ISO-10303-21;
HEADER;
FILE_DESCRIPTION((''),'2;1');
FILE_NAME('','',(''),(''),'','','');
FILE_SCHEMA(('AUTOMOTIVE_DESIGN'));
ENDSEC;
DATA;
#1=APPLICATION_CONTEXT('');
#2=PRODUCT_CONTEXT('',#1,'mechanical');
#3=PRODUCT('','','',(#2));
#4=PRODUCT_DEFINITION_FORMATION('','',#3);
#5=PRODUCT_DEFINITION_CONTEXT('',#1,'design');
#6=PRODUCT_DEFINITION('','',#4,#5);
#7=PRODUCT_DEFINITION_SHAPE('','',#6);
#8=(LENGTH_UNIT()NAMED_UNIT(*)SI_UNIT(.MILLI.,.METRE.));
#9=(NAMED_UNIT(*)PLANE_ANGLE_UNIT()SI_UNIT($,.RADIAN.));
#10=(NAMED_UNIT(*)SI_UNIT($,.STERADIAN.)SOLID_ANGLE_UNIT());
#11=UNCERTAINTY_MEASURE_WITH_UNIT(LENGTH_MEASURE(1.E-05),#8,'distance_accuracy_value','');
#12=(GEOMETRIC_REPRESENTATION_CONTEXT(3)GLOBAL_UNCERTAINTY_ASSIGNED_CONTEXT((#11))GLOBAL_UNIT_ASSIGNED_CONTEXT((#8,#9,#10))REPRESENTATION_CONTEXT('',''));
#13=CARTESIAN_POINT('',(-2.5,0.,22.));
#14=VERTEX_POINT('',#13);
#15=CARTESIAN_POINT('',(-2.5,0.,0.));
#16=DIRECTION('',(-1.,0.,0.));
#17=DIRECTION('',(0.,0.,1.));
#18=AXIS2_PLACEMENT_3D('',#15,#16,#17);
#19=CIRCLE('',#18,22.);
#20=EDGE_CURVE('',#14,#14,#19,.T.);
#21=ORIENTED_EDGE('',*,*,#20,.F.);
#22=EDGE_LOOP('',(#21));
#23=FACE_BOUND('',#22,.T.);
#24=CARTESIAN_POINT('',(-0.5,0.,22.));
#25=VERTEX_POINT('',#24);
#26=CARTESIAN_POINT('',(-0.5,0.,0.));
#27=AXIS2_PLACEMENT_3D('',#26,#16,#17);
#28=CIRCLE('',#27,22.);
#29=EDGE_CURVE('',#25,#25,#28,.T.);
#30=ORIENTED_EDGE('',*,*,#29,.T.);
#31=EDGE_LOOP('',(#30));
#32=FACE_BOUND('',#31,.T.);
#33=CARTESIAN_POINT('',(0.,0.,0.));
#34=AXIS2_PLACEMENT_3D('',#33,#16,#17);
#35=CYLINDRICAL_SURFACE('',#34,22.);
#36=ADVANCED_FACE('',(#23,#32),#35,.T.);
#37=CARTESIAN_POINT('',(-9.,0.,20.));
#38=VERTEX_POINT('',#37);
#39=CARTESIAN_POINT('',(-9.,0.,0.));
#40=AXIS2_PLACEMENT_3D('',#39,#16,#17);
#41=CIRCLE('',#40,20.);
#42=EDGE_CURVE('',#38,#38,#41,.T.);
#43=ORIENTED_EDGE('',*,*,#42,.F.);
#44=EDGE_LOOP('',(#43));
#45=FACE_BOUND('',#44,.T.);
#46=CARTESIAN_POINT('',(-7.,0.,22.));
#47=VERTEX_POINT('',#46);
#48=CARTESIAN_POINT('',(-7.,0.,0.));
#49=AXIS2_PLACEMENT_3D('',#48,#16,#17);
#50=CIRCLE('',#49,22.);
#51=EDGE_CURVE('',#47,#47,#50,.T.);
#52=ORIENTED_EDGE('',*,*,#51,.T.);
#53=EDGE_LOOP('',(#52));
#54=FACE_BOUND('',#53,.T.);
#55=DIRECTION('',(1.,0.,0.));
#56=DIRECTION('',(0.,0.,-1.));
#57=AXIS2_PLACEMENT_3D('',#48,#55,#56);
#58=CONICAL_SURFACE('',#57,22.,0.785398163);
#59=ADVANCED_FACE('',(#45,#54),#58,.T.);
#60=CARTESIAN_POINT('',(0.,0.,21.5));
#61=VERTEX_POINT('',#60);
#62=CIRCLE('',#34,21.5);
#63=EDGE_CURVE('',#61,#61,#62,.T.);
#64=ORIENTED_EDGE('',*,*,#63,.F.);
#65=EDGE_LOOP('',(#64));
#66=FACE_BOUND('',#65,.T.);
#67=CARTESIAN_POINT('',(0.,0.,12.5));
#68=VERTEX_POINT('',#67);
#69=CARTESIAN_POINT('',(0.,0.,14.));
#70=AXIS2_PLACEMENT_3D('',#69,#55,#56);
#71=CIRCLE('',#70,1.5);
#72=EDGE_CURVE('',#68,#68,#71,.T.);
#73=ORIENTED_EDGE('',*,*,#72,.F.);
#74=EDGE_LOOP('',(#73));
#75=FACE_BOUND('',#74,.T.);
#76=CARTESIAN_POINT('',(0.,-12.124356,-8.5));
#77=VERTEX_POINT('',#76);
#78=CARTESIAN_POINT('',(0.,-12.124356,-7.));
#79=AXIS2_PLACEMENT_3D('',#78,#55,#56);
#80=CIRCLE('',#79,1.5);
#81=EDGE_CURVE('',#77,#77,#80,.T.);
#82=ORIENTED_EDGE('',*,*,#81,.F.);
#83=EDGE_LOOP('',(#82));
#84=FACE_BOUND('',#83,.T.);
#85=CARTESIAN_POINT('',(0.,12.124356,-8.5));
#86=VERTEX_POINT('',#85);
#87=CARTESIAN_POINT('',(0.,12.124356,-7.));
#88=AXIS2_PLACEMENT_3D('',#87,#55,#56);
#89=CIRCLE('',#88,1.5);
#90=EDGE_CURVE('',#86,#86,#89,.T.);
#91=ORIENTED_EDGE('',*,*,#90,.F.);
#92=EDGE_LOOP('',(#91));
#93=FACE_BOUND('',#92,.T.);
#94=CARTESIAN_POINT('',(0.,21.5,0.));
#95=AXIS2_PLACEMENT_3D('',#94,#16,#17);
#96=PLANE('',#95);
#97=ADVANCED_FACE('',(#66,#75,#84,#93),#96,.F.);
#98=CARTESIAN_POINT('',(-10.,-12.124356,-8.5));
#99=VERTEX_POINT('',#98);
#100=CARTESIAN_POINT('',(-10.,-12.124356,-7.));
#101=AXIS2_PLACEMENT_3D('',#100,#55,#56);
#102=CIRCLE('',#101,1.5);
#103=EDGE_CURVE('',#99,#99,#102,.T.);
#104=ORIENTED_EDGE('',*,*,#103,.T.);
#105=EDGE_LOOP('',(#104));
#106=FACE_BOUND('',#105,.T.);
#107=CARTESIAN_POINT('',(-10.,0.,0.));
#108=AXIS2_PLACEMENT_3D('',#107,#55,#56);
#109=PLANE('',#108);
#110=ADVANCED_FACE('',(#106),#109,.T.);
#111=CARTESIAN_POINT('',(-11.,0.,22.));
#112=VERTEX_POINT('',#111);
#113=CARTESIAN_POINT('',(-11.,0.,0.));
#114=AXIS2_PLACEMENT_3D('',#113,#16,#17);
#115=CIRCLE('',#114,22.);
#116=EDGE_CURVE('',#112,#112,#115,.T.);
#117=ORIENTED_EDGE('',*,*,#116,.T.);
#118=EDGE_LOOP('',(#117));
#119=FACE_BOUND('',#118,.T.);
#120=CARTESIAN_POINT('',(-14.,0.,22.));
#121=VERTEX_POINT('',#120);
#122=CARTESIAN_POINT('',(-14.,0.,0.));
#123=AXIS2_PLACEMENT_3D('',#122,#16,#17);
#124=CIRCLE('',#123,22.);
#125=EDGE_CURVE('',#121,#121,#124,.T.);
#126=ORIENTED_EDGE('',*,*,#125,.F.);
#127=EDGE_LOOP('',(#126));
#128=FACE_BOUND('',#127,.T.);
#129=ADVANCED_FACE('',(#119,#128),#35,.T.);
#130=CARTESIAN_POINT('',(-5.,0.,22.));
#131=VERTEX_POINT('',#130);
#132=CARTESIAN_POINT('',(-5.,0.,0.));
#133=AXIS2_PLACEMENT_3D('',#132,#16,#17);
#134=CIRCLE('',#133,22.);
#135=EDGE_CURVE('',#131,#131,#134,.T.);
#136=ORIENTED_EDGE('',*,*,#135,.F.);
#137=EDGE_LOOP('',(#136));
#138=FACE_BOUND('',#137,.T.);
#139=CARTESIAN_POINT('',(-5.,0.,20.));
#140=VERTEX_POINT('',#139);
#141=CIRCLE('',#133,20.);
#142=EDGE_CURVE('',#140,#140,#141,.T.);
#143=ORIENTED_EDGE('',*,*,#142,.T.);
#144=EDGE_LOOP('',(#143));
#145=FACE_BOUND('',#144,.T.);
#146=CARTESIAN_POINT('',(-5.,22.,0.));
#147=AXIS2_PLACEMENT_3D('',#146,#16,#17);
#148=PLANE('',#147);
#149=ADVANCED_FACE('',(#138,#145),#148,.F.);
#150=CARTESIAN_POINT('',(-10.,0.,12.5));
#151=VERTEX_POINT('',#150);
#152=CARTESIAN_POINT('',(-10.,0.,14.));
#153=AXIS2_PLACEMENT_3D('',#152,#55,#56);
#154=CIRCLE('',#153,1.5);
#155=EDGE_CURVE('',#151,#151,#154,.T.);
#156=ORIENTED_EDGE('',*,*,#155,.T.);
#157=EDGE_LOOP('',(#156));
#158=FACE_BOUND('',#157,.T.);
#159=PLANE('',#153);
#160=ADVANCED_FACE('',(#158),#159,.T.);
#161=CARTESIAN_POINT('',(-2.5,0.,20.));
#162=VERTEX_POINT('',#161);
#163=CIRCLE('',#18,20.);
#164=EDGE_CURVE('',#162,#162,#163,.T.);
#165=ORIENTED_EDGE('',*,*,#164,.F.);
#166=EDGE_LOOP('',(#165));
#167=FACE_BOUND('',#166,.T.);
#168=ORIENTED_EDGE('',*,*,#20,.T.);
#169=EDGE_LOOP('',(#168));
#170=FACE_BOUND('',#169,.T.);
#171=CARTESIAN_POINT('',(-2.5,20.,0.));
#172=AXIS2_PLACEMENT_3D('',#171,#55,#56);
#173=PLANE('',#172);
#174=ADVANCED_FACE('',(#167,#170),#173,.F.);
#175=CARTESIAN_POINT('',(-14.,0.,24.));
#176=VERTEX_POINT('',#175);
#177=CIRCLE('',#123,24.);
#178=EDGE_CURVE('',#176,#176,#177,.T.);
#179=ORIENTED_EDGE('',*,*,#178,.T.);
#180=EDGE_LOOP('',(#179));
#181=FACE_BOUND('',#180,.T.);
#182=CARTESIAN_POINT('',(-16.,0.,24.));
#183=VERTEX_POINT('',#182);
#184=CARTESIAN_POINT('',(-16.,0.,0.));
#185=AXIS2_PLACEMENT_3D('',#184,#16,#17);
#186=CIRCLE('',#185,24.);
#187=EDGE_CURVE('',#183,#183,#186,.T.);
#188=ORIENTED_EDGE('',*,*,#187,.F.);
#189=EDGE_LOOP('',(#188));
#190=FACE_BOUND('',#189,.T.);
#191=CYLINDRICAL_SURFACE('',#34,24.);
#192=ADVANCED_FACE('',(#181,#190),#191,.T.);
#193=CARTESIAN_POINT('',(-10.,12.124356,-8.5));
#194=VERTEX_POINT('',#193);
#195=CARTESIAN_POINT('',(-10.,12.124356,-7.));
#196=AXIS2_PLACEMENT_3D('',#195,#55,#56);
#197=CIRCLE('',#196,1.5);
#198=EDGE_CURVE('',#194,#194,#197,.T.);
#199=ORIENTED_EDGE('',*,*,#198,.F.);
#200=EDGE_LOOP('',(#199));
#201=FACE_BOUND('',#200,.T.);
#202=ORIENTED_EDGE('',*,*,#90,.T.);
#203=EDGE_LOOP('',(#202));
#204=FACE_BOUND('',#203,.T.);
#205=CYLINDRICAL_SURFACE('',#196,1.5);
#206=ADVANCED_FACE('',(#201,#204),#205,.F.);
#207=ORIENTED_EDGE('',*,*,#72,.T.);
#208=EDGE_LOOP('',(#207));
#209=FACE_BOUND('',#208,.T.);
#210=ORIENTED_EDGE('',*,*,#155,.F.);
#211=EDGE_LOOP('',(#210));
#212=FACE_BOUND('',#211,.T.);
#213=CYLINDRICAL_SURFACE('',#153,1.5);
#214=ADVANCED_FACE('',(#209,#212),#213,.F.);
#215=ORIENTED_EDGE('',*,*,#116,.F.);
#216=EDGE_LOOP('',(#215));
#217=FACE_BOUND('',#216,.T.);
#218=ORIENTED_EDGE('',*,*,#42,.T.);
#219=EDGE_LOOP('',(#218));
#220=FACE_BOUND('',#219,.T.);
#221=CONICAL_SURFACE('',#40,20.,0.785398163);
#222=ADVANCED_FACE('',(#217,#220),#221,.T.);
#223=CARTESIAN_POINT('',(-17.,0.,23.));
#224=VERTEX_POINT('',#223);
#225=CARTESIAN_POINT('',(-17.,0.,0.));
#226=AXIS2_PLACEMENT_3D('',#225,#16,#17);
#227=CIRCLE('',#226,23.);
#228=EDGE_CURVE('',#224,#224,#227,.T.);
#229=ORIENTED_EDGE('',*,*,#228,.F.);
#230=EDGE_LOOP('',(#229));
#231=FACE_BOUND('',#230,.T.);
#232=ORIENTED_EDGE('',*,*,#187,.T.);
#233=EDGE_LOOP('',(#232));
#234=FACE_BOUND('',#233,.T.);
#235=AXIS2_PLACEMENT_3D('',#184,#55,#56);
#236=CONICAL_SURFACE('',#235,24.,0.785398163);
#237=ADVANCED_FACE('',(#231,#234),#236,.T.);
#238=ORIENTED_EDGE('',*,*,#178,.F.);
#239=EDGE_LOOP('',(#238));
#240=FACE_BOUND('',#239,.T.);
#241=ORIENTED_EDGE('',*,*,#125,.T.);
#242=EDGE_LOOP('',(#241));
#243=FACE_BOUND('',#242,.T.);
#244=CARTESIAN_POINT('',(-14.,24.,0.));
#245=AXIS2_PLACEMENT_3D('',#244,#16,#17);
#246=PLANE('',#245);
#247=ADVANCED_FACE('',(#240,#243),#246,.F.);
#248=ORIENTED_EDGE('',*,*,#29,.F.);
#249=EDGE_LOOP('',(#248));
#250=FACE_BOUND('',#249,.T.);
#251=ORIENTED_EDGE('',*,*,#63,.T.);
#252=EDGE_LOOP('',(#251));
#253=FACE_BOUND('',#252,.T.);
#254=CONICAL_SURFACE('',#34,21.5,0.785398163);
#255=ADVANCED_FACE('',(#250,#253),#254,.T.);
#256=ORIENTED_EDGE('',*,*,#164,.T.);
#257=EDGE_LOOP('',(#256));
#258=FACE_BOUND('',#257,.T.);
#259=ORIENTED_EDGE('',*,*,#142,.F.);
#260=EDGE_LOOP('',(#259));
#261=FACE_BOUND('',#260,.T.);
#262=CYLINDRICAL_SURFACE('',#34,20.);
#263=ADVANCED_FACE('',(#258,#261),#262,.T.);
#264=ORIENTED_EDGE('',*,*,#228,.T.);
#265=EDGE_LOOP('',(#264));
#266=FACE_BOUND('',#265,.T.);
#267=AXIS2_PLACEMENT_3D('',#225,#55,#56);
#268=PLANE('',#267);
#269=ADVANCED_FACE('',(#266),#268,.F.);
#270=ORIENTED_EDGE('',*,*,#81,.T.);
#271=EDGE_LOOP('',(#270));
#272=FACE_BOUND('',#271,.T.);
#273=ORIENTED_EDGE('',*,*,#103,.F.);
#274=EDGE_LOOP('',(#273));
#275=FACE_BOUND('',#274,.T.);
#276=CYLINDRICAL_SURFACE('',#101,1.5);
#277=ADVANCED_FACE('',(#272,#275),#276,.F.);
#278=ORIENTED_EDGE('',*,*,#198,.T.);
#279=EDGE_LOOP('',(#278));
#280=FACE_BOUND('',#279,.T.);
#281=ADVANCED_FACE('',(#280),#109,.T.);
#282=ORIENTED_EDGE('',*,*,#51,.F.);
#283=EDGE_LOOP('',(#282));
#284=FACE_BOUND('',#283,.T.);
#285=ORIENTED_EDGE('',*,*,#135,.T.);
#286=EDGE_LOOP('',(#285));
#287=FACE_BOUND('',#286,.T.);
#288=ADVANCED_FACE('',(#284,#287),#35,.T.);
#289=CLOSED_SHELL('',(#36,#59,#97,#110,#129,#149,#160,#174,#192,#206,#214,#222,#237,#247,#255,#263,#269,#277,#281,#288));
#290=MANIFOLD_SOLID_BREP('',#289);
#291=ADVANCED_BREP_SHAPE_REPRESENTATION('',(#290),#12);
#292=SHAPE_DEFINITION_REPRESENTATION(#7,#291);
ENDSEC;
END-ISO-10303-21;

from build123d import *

# Parameters (mm, degrees)
SKETCH_2_R          = 1.5
CUT_EXTRUDE_1_DEPTH = 10


with BuildPart() as part:
    # Эскиз1 → Повернуть1 (revolve)
    with BuildSketch(Plane.XY, mode=Mode.PRIVATE) as revolve_1_sk:
        Polygon((-17, 0), (-17, 23), (-16, 24), (-14, 24), (-14, 22), (-11, 22), (-9, 20), (-7, 22), (-5, 22), (-5, 20), (-2.5, 20), (-2.5, 22), (-0.5, 22), (0, 21.5), (0, 0), align=None)
    revolve(revolve_1_sk.sketch.rotate(Axis((0, 0, 0), (1, 0, 0)), 90), axis=Axis((0, 0, 0), (1, 0, 0)))

    # Эскиз2 → Вырез-Вытянуть1 (cut)
    with BuildSketch(Plane(origin=(0, 0, 0), x_dir=(0, 0, -1), z_dir=(1, 0, 0))):
        with Locations((7, 12.124355653)):
            Circle(SKETCH_2_R)
        with Locations((7, -12.124355653)):
            Circle(SKETCH_2_R)
        with Locations((-14, 0)):
            Circle(SKETCH_2_R)
    extrude(amount=-CUT_EXTRUDE_1_DEPTH, mode=Mode.SUBTRACT)


solid = part.part
